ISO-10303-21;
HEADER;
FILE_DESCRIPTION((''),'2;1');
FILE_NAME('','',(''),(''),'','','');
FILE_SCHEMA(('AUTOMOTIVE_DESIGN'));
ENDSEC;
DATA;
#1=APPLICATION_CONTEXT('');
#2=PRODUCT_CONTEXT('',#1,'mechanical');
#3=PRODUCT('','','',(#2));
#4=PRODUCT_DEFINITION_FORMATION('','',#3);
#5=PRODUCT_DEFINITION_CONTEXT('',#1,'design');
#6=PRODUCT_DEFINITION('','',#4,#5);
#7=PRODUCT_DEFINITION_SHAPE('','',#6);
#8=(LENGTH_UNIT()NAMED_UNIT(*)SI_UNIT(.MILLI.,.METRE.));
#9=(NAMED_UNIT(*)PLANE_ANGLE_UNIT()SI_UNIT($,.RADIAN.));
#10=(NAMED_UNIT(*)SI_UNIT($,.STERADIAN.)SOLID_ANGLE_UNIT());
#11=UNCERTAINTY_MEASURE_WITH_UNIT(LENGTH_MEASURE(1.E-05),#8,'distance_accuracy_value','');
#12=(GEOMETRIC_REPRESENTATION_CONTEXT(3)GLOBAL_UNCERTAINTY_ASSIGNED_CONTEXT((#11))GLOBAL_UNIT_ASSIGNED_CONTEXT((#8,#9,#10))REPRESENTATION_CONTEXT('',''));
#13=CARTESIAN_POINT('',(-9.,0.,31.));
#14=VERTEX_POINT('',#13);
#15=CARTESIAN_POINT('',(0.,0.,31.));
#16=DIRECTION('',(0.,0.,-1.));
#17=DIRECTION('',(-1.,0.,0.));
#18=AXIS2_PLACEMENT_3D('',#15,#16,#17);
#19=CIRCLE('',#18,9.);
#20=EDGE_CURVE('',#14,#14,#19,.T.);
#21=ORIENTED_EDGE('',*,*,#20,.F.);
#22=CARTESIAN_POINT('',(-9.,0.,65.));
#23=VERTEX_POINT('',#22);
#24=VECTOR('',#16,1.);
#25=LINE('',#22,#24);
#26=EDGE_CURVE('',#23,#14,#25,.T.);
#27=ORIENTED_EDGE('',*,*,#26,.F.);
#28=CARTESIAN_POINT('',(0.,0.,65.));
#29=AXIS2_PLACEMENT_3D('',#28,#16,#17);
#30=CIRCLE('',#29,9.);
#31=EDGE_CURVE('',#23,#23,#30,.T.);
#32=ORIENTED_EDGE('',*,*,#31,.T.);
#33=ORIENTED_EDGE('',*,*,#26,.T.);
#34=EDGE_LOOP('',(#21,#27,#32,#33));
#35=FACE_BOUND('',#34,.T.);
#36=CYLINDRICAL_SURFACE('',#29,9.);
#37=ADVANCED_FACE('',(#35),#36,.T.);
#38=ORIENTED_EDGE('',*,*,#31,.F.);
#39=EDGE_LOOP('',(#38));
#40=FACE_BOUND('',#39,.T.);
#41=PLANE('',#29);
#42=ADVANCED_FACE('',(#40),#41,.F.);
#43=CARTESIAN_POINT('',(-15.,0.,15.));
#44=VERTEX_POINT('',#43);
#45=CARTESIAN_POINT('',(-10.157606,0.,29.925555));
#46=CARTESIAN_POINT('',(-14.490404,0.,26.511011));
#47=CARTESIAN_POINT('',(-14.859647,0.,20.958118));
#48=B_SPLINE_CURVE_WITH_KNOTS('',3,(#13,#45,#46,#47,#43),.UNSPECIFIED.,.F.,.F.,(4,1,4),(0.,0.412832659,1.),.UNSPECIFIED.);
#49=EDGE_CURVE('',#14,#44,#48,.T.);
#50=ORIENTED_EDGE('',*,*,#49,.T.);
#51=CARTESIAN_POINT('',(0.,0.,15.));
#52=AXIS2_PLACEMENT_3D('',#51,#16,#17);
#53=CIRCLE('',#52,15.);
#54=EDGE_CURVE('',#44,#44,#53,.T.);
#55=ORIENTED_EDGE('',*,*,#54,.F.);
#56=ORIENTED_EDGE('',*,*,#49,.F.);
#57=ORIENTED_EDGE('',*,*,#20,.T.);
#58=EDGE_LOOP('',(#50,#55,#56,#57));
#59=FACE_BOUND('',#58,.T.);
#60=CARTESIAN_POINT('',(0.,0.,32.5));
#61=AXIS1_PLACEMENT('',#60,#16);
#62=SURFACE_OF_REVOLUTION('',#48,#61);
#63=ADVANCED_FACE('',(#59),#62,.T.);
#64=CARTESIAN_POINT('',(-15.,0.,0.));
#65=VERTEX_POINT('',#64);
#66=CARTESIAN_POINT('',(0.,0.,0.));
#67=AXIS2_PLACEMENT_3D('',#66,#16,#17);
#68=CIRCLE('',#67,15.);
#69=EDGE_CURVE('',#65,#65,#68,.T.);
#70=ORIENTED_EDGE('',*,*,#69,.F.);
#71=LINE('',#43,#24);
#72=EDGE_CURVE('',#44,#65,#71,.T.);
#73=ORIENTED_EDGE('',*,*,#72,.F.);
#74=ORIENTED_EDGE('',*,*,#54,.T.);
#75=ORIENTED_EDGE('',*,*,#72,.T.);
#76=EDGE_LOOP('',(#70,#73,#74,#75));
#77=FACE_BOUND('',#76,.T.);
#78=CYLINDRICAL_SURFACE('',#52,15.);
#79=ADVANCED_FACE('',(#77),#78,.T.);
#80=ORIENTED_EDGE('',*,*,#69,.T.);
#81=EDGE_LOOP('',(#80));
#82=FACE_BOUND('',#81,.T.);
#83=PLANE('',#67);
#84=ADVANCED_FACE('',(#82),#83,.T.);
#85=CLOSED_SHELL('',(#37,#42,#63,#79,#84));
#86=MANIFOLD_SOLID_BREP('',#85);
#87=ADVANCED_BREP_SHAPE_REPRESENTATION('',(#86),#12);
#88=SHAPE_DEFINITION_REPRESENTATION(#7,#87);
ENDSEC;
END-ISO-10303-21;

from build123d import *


with BuildPart() as f1:
    # F0 (on Front) → F1 (revolve)
    with BuildSketch(Plane.XZ):
        with BuildLine():
            Line((0, 0), (0, 65))
            Line((0, 65), (-9, 65))
            Line((-9, 65), (-9, 31))
            add(Edge.make_bspline(
                [(-9, 31), (-10.1576058965, 29.9255546114), (-14.4904040055, 26.5110107494), (-14.8596465588, 20.9581181407), (-15, 15)],
                knots=[0, 0, 0, 0, 0.412832659, 1, 1, 1, 1], degree=3))
            Line((-15, 15), (-15, 0))
            Line((-15, 0), (0, 0))
        make_face()
    revolve(axis=Axis((0, 0, 32.5), (0, 0, -1)))


solid = f1.part
